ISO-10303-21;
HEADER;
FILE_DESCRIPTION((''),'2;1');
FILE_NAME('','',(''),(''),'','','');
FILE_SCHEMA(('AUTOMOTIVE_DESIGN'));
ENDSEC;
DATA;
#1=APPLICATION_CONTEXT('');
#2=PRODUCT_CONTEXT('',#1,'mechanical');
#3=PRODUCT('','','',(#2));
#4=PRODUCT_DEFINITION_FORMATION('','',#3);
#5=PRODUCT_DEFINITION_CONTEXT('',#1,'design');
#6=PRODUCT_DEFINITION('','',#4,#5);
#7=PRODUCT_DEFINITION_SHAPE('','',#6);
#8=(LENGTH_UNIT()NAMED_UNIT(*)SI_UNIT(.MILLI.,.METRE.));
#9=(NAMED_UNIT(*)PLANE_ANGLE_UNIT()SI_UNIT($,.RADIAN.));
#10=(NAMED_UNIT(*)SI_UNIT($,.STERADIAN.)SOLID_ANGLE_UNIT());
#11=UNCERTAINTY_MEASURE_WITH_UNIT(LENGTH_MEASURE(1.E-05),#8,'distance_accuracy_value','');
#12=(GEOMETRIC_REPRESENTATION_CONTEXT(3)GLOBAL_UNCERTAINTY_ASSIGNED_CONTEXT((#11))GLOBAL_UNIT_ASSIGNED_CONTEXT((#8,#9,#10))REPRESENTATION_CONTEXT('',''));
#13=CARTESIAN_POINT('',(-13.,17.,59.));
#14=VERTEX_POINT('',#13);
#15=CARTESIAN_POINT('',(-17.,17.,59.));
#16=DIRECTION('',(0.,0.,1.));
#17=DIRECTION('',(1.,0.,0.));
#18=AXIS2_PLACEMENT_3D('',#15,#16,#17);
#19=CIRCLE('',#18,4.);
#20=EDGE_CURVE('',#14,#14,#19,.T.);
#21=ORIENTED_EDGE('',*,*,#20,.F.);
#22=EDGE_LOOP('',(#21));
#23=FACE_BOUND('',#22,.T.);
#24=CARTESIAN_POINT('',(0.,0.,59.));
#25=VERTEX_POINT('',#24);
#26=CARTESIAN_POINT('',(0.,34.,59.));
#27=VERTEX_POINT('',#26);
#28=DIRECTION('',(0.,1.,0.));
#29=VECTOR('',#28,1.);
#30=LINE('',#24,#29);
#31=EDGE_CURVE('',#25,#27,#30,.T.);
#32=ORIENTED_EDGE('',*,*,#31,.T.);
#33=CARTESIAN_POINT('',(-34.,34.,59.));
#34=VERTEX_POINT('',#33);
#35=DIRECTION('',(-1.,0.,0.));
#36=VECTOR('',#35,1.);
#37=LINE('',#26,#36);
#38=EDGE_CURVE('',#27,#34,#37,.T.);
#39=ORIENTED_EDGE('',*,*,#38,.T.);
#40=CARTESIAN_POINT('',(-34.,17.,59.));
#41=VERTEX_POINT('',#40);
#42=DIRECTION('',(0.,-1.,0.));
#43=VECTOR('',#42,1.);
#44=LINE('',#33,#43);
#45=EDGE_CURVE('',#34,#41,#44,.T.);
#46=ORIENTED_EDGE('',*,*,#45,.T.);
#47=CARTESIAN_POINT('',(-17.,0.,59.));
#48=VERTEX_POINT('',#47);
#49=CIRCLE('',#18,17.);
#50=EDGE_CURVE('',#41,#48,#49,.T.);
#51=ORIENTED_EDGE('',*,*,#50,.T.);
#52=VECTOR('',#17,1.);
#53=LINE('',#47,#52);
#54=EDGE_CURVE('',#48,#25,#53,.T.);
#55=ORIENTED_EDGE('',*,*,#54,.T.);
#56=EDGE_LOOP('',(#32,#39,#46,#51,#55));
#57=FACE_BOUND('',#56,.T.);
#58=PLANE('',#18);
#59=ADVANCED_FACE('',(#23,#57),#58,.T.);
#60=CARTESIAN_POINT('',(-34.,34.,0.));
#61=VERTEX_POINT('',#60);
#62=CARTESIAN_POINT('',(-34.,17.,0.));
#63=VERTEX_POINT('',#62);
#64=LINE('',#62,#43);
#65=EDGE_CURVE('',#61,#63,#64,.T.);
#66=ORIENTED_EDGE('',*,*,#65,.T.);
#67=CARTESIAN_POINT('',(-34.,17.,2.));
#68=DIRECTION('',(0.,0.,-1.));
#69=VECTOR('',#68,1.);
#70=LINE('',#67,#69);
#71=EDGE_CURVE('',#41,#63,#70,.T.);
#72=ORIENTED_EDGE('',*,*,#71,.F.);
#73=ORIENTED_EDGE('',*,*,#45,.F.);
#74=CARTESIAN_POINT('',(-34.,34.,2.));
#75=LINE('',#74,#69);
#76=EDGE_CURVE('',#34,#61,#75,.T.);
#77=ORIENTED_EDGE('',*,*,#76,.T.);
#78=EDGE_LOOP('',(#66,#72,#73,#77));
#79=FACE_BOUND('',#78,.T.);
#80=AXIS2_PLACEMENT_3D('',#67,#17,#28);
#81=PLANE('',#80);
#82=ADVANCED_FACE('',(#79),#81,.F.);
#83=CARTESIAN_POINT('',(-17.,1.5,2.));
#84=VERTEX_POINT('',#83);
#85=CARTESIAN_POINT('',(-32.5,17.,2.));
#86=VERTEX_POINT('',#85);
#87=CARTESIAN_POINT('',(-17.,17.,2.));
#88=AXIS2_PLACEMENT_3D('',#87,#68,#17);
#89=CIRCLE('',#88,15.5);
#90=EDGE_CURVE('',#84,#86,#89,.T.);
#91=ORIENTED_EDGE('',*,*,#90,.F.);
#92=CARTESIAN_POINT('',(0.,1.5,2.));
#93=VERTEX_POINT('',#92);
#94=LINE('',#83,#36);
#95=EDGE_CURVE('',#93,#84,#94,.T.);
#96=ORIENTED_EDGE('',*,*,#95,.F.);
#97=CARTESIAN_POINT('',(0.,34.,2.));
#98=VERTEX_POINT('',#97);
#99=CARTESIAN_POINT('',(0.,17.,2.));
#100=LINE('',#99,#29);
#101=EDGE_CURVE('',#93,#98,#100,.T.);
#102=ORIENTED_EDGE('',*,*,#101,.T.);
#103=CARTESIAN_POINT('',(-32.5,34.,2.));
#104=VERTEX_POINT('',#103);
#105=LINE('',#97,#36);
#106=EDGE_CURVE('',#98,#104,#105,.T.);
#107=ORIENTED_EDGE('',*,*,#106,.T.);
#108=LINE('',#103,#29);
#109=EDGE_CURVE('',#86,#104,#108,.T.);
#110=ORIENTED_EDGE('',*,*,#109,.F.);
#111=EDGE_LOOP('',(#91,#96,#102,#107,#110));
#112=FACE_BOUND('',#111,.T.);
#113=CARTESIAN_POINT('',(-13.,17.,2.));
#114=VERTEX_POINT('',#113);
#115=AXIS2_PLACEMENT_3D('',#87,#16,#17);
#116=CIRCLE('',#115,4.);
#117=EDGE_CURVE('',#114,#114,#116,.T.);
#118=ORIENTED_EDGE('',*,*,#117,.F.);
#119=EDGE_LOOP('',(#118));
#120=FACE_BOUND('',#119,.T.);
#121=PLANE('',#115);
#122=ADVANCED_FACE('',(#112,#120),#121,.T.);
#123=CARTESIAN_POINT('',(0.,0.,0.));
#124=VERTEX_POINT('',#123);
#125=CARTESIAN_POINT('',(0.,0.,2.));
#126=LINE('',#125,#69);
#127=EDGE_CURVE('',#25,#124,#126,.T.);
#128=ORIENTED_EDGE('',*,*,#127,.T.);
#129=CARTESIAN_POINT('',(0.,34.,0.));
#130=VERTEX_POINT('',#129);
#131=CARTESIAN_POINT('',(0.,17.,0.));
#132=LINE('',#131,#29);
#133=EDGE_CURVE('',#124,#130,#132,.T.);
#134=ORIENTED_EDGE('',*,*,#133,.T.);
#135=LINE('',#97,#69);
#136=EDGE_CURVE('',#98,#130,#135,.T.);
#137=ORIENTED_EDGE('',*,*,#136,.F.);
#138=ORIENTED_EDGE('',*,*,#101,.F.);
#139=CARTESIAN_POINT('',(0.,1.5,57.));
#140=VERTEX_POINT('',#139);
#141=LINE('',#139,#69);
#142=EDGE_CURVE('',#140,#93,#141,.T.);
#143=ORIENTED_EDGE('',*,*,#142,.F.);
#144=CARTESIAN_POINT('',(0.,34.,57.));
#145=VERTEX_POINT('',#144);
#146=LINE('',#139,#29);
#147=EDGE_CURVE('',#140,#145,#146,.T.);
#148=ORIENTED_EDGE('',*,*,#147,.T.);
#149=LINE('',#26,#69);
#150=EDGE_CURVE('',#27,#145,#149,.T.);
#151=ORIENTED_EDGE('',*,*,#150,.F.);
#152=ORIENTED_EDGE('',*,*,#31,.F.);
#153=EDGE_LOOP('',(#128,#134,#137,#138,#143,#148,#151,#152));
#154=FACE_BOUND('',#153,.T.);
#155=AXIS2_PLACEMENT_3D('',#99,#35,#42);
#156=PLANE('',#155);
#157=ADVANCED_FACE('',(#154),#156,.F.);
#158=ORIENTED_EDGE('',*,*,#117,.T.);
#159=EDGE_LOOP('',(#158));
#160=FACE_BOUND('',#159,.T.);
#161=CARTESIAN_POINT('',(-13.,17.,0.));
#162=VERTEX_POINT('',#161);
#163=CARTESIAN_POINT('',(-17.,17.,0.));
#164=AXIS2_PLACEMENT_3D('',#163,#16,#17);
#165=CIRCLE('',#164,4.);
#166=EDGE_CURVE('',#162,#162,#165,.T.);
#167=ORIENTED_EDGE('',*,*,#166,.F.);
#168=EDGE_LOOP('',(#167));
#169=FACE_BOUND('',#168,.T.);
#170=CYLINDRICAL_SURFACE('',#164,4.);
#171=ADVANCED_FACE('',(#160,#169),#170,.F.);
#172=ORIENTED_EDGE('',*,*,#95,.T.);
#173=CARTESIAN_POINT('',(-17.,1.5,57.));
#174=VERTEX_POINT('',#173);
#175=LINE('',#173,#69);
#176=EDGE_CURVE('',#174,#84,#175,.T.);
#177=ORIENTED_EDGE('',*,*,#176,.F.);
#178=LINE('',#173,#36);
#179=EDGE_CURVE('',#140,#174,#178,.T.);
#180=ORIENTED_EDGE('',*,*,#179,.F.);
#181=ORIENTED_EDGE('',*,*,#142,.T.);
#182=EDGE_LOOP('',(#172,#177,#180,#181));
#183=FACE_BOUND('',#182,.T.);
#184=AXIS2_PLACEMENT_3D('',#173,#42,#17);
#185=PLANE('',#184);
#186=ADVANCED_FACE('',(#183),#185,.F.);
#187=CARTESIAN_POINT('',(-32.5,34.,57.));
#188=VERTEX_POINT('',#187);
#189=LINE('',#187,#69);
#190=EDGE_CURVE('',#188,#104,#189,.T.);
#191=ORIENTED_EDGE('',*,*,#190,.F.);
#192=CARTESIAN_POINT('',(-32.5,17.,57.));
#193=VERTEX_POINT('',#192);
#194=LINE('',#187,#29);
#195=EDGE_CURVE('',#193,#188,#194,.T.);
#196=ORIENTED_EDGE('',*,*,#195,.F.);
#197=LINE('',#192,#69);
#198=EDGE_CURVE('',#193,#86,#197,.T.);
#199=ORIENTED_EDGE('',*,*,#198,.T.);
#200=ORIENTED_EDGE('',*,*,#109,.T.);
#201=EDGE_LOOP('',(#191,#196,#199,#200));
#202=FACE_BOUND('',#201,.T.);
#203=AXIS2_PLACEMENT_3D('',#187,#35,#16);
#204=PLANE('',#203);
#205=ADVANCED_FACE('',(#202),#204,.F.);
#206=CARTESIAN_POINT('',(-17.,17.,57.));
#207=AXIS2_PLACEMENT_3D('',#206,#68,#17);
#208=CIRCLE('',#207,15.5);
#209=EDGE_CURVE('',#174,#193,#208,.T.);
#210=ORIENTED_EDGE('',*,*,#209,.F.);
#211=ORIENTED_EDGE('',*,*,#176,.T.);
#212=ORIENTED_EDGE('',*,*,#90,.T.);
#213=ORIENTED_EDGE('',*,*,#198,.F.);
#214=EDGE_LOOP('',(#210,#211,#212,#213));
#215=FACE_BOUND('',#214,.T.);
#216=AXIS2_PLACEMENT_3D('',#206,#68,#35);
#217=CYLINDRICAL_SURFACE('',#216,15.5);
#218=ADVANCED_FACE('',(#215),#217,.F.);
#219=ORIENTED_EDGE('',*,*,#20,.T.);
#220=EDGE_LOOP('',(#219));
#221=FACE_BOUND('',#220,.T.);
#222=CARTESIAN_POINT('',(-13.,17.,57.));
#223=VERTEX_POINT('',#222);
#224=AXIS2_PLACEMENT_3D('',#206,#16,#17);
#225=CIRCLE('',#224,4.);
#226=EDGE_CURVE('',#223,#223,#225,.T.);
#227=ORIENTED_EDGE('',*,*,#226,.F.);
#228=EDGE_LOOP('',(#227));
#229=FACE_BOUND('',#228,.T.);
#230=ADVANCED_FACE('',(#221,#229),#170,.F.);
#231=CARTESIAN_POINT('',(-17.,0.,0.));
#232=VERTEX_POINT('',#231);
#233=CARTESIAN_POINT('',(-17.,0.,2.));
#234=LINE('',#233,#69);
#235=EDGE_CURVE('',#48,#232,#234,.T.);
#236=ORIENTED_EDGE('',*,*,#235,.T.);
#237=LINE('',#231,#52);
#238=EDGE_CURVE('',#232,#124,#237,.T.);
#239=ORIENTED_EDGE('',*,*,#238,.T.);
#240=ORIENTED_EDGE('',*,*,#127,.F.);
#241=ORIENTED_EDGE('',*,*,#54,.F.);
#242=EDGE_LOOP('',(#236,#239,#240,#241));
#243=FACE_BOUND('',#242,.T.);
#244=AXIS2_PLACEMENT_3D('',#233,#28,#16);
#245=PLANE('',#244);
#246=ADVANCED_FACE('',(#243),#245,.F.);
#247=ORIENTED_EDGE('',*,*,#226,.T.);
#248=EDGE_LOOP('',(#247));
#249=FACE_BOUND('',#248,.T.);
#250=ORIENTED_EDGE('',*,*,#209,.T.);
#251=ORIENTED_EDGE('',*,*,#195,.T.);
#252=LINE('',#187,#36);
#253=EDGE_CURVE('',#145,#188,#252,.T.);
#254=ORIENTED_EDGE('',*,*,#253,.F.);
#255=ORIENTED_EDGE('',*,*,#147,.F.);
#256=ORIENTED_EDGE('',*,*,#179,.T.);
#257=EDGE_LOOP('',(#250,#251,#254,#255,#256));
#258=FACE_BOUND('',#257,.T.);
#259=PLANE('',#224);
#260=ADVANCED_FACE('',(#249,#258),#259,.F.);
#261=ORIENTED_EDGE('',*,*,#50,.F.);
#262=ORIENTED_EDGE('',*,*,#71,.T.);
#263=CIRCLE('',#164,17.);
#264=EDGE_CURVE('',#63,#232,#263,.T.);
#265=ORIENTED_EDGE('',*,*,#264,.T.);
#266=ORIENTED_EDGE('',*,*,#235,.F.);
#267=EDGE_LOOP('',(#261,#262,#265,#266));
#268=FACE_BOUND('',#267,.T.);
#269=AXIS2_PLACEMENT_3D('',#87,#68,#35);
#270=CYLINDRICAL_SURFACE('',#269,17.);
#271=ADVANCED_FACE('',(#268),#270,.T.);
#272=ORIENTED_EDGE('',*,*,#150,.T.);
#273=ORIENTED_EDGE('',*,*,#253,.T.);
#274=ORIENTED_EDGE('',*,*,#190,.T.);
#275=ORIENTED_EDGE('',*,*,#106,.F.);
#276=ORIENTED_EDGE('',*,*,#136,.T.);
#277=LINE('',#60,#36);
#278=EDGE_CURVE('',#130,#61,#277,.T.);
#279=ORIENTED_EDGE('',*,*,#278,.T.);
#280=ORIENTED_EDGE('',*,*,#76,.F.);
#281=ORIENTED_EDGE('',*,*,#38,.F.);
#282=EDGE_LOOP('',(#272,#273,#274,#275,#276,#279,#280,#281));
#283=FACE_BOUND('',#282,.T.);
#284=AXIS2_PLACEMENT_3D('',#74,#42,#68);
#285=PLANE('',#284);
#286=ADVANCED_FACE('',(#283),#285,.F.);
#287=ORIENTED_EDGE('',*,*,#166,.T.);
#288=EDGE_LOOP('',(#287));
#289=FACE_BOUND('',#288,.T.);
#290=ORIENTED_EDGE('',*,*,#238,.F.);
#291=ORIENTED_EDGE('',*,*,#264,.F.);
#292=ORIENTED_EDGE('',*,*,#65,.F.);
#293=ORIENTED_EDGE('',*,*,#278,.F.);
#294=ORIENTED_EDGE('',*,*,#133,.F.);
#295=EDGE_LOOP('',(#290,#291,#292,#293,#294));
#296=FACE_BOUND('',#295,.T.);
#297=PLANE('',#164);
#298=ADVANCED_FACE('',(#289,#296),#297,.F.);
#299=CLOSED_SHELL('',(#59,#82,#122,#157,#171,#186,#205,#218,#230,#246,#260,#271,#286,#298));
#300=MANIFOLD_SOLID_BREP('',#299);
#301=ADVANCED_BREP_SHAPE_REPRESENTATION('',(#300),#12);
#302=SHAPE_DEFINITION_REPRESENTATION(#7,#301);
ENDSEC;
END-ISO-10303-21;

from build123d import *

# Parameters (mm, degrees)
BOSS_EXTRUDE1_DEPTH = 2
BOSS_EXTRUDE2_DEPTH = 55
BOSS_EXTRUDE3_DEPTH = 2
SKETCH4_R           = 4
CUT_EXTRUDE1_DEPTH  = 60


with BuildPart() as part:
    # Sketch1 → Boss-Extrude1 (new body)
    with BuildSketch(Plane.XY):
        with BuildLine():
            Line((-17, 0), (0, 0))
            Line((0, 0), (0, 17))
            Line((0, 17), (0, 34))
            Line((0, 34), (-17, 34))
            Line((-17, 34), (-34, 34))
            Line((-34, 34), (-34, 17))
            ThreePointArc((-34, 17), (-29.02081528, 4.97918472), (-17, 0))
        make_face()
    extrude(amount=BOSS_EXTRUDE1_DEPTH)

    # Sketch2 → Boss-Extrude2 (add)
    with BuildSketch(Plane.XY.offset(2)):
        with BuildLine():
            Line((-17, 0), (0, 0))
            Line((0, 0), (0, 1.5))
            Line((0, 1.5), (-17, 1.5))
            ThreePointArc((-17, 1.5), (-27.960155108, 6.039844892), (-32.5, 17))
            Line((-32.5, 17), (-32.5, 34))
            Line((-32.5, 34), (-34, 34))
            Line((-34, 34), (-34, 17))
            ThreePointArc((-34, 17), (-29.02081528, 4.97918472), (-17, 0))
        make_face()
    extrude(amount=BOSS_EXTRUDE2_DEPTH)

    # Sketch3 → Boss-Extrude3 (add)
    with BuildSketch(Plane.XY.offset(57)):
        with BuildLine():
            Line((0, 0), (0, 1.5))
            Line((0, 1.5), (0, 34))
            Line((0, 34), (-32.5, 34))
            Line((-32.5, 34), (-34, 34))
            Line((-34, 34), (-34, 17))
            ThreePointArc((-34, 17), (-29.02081528, 4.97918472), (-17, 0))
            Line((-17, 0), (0, 0))
        make_face()
    extrude(amount=BOSS_EXTRUDE3_DEPTH)

    # Sketch4 → Cut-Extrude1 (cut, through all)
    with BuildSketch(Plane.XY.offset(59)):
        with Locations((-17, 17)):
            Circle(SKETCH4_R)
    extrude(amount=-CUT_EXTRUDE1_DEPTH, mode=Mode.SUBTRACT)


solid = part.part
